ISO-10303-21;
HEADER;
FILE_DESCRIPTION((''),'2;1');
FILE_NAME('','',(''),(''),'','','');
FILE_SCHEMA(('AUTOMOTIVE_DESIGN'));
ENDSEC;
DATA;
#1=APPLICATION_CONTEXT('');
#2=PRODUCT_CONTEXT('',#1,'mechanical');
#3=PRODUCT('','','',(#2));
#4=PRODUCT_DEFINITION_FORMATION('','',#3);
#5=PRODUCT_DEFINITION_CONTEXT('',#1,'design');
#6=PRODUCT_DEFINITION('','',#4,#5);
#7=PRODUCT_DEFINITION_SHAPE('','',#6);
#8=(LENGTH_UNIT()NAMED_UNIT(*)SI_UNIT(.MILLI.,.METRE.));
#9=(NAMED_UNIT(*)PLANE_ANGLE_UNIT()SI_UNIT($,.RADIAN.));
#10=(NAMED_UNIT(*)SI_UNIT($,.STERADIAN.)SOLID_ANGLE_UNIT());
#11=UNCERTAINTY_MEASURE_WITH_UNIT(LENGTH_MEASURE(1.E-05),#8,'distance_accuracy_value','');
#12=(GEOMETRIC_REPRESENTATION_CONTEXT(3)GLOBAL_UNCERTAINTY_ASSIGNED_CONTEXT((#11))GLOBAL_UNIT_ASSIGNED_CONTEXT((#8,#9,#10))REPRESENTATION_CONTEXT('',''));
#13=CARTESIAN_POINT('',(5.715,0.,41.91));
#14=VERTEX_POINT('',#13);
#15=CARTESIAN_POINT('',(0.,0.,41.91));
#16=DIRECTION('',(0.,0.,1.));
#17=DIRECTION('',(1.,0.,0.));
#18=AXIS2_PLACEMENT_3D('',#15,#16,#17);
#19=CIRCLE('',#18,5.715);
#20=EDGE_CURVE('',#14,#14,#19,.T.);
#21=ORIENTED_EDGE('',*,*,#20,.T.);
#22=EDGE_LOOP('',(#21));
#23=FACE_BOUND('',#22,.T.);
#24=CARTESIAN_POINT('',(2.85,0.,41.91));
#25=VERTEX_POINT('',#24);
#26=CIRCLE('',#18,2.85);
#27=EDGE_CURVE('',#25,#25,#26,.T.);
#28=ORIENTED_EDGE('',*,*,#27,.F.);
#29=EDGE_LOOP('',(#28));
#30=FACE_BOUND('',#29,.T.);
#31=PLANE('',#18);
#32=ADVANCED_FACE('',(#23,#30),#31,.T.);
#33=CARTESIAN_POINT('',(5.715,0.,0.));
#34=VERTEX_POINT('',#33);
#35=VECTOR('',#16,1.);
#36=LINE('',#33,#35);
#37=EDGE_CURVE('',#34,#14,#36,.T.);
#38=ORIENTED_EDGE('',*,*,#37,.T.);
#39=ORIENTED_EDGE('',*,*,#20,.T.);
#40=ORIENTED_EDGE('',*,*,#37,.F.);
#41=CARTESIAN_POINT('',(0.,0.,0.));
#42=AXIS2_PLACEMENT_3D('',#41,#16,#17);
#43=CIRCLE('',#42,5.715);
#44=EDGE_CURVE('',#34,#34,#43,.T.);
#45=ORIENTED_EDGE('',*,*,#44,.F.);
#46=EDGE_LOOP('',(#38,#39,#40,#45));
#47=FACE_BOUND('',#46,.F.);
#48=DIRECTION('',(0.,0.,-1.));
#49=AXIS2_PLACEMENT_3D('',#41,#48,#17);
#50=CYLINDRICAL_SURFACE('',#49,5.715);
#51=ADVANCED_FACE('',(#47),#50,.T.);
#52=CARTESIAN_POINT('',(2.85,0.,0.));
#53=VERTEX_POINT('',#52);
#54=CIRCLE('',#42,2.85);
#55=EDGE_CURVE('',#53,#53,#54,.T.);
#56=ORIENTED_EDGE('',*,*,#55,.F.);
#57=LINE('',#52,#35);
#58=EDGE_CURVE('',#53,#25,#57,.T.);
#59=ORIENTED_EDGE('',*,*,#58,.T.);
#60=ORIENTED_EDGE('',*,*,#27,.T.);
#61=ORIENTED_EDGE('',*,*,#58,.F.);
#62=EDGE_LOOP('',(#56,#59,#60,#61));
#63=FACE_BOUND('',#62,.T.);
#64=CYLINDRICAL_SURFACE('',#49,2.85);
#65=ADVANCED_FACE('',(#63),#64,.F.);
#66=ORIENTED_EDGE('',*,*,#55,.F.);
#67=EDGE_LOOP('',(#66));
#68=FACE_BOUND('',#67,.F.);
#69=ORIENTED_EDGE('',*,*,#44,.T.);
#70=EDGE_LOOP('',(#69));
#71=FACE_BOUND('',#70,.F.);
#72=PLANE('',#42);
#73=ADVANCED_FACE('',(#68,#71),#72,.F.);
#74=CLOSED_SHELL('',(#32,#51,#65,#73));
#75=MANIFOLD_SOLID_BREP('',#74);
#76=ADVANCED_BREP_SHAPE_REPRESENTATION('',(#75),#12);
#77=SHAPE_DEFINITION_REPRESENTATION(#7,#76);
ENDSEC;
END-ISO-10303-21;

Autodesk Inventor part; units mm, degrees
ref_plane "YZ Plane" through (0, 0, 0) normal (1, 0, 0) x (0, 1, 0)
ref_plane "XZ Plane" through (0, 0, 0) normal (0, 1, 0) x (-1, 0, 0)
ref_plane "XY Plane" through (0, 0, 0) normal (0, 0, 1) x (1, 0, 0)
sketch "Sketch1" plane through (0, 0, 0) normal (0, 0, 1) x (1, 0, 0)
  circle A0 centre (0, 0) radius 5.715
  circle A1 centre (0, 0) radius 2.85
  dimension "d0" = 11.43
  dimension "d1" = 5.7
extrude "Extrusion1" add sketch "Sketch1" along normal blind 41.91
properties part number "Conforce_Spring_Shaft"
